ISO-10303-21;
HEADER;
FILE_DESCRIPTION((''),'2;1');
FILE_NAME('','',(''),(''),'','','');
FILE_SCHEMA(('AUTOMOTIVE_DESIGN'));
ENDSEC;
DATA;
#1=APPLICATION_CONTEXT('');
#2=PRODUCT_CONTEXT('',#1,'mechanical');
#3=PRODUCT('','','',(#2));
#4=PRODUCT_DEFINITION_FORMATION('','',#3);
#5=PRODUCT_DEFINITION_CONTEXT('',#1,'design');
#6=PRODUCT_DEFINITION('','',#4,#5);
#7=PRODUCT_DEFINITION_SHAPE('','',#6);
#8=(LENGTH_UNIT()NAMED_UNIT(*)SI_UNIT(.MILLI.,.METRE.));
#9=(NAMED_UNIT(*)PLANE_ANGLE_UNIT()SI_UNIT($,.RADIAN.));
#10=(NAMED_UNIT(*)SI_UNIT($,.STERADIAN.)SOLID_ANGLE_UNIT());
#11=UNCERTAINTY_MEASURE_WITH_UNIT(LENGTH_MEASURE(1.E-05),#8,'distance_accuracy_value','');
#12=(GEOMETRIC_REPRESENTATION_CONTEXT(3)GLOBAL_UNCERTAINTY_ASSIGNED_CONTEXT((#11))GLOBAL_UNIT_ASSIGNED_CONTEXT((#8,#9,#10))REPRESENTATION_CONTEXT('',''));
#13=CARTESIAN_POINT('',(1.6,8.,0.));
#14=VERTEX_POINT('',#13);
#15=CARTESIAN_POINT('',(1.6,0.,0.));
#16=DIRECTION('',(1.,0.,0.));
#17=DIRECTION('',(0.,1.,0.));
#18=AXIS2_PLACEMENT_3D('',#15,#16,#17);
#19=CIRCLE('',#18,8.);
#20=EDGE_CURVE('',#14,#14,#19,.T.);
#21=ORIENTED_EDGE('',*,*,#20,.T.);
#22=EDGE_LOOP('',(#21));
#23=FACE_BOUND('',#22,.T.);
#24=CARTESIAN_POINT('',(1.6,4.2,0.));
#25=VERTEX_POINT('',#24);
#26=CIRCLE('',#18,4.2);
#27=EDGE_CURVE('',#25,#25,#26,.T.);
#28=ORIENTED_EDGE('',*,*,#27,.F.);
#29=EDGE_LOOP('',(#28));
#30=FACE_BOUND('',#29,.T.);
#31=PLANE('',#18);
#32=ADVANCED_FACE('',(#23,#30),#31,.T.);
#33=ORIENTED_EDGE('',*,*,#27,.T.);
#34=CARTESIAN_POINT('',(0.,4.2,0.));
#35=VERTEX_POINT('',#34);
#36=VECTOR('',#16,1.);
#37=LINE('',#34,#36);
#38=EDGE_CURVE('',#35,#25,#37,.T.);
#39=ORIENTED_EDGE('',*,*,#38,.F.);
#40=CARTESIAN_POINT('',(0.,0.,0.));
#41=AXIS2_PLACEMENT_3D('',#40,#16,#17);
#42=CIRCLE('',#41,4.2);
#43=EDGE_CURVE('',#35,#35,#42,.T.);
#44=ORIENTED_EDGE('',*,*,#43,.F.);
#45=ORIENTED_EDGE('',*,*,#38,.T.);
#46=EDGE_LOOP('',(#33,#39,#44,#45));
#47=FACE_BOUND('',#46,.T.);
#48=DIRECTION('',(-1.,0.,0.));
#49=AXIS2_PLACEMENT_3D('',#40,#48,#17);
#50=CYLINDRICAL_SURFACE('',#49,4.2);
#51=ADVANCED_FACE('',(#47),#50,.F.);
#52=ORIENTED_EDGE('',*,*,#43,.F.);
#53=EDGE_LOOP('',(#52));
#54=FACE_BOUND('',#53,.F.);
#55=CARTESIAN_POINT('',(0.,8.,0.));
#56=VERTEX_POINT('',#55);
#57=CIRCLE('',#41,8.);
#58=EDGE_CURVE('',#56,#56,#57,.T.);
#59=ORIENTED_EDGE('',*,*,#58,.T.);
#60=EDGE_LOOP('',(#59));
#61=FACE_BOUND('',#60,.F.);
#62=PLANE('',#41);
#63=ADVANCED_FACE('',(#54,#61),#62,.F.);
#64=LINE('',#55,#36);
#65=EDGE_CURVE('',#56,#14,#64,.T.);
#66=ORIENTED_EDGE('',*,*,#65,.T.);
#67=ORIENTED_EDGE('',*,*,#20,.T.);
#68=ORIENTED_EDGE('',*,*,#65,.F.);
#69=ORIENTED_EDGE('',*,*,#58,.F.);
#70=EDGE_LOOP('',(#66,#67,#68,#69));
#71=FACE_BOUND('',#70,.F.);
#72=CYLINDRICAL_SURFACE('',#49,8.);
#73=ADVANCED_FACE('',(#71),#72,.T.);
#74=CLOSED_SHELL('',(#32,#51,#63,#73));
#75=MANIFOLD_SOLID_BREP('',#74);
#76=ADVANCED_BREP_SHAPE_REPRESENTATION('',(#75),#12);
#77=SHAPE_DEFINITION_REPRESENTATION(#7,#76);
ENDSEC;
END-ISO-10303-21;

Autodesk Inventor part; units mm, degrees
ref_plane "YZ Plane" through (0, 0, 0) normal (1, 0, 0) x (0, 1, 0)
ref_plane "XZ Plane" through (0, 0, 0) normal (0, 1, 0) x (-1, 0, 0)
sketch "Skizze" plane through (0, 0, 0) normal (1, 0, 0) x (0, 1, 0)
  circle A0 centre (0, 0) radius 8
  circle A1 centre (0, 0) radius 4.2
  dimension "d0" = 8.4
  dimension "d1" = 16
extrude "Körper" add sketch "Skizze" along normal blind 1.6
ref_plane "Work Plane1" through (0, 0, 0) normal (0, 0, 1) x (1, 0, 0)
equation "\"d0\" = SD1"
equation "\"d1\" = SD2"
equation "\"d2\" = SD"
equation "\"SD1\" = 8.4"
equation "\"SD2\" = 16"
equation "\"SD\" = 1.6"
equation "\"NND\" = 8"
properties part number "DIN 125-2 - A 8,4" material "Stahl, weich"
